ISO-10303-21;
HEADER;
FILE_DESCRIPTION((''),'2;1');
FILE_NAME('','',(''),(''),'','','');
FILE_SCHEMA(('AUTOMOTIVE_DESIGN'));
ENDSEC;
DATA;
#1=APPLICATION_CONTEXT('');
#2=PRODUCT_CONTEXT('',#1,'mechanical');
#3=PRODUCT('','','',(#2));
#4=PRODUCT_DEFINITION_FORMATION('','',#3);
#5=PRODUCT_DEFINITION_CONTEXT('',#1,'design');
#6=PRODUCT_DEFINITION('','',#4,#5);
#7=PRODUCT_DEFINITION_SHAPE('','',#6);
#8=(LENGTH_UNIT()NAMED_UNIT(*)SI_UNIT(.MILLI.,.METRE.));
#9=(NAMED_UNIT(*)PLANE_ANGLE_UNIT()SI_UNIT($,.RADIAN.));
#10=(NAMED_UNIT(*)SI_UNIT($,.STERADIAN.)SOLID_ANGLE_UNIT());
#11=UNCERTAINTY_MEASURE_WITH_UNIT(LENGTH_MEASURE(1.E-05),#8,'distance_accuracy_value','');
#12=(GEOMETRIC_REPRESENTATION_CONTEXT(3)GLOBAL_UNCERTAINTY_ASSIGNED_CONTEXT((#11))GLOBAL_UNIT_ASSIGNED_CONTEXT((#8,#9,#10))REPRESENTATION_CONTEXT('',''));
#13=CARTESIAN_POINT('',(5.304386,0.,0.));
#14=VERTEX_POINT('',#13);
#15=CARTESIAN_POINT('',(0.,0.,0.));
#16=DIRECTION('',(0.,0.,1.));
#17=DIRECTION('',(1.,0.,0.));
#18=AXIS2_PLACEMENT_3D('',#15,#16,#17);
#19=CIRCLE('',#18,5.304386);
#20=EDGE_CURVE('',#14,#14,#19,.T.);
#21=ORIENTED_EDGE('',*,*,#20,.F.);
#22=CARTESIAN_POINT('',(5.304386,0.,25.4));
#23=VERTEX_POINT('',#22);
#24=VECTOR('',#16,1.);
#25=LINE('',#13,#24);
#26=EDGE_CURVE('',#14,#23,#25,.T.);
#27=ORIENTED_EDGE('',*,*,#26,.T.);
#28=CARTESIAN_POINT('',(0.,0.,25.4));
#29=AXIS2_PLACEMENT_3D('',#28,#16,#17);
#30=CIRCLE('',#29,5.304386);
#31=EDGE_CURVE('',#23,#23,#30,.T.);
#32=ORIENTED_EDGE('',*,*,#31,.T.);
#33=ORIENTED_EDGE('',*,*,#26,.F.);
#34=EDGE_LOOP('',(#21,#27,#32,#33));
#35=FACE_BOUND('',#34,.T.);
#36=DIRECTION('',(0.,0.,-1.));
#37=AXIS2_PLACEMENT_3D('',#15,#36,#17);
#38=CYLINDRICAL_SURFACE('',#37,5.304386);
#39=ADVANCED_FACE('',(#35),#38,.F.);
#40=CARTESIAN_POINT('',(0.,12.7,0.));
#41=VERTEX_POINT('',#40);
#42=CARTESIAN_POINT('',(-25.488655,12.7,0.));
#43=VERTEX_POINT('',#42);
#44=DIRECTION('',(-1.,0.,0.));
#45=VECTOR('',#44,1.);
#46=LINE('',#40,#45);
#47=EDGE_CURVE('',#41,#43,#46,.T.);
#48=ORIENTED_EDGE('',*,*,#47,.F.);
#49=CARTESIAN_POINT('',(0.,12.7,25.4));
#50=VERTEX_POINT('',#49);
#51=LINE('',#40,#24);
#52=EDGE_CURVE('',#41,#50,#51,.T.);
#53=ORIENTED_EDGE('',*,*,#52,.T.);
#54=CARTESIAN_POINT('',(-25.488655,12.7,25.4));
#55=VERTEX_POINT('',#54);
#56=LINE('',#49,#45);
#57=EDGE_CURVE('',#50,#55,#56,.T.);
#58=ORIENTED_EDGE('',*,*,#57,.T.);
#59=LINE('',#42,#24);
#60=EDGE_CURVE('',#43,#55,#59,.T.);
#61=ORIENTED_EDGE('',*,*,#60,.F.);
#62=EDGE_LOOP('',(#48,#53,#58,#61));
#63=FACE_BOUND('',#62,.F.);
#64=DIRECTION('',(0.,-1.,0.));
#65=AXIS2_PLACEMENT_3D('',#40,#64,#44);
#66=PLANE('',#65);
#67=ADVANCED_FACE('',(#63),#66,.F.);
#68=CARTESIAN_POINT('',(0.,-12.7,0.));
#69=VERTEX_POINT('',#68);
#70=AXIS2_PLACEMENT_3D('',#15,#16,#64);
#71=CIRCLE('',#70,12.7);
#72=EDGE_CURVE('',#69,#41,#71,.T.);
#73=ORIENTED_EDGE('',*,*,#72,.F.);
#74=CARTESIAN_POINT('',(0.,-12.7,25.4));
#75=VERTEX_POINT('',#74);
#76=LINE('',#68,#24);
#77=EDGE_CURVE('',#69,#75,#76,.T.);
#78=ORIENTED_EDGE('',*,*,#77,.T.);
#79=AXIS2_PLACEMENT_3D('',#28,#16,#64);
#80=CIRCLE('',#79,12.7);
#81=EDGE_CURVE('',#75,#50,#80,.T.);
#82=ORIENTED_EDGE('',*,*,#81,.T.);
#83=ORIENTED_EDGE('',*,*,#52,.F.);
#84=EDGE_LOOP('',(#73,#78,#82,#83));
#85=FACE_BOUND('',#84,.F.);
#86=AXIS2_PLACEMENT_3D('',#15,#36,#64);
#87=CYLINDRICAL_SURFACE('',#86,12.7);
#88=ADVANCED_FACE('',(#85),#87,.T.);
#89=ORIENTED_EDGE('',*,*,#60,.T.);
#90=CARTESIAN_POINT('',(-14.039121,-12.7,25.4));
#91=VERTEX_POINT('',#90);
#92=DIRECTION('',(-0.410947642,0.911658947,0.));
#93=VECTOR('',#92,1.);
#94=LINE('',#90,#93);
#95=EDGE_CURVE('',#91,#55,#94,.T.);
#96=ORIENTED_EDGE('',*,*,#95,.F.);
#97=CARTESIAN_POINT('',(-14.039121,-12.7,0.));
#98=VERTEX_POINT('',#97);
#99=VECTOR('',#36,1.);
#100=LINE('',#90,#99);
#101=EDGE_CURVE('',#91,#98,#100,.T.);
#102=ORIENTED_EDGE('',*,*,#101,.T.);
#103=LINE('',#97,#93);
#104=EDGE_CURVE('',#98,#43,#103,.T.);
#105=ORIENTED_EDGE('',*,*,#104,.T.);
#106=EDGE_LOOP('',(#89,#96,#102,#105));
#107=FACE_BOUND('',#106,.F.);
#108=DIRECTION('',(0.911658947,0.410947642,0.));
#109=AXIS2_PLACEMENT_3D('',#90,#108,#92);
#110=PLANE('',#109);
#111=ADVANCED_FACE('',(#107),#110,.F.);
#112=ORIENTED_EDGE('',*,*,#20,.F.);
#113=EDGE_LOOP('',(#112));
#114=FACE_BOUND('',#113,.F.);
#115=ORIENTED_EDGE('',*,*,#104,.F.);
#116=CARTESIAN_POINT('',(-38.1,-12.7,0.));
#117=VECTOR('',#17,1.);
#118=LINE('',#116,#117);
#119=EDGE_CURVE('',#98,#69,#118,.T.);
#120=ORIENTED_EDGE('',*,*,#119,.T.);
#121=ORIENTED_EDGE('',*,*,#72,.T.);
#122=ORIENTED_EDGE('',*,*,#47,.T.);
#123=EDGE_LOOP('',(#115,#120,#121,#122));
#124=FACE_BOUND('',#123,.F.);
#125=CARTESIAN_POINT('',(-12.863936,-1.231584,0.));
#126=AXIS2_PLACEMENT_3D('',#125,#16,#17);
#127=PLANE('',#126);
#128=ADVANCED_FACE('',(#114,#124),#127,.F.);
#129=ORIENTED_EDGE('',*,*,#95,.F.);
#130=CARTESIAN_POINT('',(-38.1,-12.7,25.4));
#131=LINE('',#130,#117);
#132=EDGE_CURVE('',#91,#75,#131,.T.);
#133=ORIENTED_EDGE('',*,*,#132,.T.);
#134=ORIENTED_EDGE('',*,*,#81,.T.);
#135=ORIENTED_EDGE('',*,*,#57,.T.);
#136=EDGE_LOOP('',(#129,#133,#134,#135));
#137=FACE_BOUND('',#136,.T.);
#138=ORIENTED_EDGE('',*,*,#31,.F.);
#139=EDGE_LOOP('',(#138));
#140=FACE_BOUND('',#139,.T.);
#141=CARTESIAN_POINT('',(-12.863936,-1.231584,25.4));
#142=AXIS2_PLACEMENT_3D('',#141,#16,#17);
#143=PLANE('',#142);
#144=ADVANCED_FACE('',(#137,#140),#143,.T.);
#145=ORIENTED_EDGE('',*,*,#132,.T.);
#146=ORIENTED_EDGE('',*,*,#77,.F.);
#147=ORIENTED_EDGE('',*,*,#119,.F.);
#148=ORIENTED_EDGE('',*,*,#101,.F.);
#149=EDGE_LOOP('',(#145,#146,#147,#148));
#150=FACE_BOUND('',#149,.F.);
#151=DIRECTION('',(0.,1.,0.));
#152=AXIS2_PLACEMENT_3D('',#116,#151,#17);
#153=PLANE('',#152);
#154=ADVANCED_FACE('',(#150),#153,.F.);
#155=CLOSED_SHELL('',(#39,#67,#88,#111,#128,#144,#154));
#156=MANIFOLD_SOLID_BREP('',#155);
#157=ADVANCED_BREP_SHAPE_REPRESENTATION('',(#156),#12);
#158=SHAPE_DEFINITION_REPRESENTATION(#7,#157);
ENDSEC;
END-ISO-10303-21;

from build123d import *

# Parameters (mm, degrees)
F0_R     = 5.304386
F1_DEPTH = 25.4
F3_DEPTH = 25.4


with BuildPart() as f1:
    # F0 (on Top) → F1 (new body)
    with BuildSketch(Plane.XY):
        with BuildLine():
            Line((-38.1, -12.7), (0, -12.7))
            ThreePointArc((0, -12.7), (12.7, 0), (0, 12.7))
            Line((0, 12.7), (-25.488655, 12.7))
            Line((-25.488655, 12.7), (-38.1, -12.7))
        make_face()
        Circle(F0_R, mode=Mode.SUBTRACT)
    extrude(amount=F1_DEPTH)

    # F2 (on face) → F3 (cut)
    with BuildSketch(Plane.XY.offset(25.4)):
        Polygon((-14.039121, -12.7), (-25.488655, 12.7), (-38.1, -12.7), align=None)
    extrude(amount=-F3_DEPTH, mode=Mode.SUBTRACT)


solid = f1.part
